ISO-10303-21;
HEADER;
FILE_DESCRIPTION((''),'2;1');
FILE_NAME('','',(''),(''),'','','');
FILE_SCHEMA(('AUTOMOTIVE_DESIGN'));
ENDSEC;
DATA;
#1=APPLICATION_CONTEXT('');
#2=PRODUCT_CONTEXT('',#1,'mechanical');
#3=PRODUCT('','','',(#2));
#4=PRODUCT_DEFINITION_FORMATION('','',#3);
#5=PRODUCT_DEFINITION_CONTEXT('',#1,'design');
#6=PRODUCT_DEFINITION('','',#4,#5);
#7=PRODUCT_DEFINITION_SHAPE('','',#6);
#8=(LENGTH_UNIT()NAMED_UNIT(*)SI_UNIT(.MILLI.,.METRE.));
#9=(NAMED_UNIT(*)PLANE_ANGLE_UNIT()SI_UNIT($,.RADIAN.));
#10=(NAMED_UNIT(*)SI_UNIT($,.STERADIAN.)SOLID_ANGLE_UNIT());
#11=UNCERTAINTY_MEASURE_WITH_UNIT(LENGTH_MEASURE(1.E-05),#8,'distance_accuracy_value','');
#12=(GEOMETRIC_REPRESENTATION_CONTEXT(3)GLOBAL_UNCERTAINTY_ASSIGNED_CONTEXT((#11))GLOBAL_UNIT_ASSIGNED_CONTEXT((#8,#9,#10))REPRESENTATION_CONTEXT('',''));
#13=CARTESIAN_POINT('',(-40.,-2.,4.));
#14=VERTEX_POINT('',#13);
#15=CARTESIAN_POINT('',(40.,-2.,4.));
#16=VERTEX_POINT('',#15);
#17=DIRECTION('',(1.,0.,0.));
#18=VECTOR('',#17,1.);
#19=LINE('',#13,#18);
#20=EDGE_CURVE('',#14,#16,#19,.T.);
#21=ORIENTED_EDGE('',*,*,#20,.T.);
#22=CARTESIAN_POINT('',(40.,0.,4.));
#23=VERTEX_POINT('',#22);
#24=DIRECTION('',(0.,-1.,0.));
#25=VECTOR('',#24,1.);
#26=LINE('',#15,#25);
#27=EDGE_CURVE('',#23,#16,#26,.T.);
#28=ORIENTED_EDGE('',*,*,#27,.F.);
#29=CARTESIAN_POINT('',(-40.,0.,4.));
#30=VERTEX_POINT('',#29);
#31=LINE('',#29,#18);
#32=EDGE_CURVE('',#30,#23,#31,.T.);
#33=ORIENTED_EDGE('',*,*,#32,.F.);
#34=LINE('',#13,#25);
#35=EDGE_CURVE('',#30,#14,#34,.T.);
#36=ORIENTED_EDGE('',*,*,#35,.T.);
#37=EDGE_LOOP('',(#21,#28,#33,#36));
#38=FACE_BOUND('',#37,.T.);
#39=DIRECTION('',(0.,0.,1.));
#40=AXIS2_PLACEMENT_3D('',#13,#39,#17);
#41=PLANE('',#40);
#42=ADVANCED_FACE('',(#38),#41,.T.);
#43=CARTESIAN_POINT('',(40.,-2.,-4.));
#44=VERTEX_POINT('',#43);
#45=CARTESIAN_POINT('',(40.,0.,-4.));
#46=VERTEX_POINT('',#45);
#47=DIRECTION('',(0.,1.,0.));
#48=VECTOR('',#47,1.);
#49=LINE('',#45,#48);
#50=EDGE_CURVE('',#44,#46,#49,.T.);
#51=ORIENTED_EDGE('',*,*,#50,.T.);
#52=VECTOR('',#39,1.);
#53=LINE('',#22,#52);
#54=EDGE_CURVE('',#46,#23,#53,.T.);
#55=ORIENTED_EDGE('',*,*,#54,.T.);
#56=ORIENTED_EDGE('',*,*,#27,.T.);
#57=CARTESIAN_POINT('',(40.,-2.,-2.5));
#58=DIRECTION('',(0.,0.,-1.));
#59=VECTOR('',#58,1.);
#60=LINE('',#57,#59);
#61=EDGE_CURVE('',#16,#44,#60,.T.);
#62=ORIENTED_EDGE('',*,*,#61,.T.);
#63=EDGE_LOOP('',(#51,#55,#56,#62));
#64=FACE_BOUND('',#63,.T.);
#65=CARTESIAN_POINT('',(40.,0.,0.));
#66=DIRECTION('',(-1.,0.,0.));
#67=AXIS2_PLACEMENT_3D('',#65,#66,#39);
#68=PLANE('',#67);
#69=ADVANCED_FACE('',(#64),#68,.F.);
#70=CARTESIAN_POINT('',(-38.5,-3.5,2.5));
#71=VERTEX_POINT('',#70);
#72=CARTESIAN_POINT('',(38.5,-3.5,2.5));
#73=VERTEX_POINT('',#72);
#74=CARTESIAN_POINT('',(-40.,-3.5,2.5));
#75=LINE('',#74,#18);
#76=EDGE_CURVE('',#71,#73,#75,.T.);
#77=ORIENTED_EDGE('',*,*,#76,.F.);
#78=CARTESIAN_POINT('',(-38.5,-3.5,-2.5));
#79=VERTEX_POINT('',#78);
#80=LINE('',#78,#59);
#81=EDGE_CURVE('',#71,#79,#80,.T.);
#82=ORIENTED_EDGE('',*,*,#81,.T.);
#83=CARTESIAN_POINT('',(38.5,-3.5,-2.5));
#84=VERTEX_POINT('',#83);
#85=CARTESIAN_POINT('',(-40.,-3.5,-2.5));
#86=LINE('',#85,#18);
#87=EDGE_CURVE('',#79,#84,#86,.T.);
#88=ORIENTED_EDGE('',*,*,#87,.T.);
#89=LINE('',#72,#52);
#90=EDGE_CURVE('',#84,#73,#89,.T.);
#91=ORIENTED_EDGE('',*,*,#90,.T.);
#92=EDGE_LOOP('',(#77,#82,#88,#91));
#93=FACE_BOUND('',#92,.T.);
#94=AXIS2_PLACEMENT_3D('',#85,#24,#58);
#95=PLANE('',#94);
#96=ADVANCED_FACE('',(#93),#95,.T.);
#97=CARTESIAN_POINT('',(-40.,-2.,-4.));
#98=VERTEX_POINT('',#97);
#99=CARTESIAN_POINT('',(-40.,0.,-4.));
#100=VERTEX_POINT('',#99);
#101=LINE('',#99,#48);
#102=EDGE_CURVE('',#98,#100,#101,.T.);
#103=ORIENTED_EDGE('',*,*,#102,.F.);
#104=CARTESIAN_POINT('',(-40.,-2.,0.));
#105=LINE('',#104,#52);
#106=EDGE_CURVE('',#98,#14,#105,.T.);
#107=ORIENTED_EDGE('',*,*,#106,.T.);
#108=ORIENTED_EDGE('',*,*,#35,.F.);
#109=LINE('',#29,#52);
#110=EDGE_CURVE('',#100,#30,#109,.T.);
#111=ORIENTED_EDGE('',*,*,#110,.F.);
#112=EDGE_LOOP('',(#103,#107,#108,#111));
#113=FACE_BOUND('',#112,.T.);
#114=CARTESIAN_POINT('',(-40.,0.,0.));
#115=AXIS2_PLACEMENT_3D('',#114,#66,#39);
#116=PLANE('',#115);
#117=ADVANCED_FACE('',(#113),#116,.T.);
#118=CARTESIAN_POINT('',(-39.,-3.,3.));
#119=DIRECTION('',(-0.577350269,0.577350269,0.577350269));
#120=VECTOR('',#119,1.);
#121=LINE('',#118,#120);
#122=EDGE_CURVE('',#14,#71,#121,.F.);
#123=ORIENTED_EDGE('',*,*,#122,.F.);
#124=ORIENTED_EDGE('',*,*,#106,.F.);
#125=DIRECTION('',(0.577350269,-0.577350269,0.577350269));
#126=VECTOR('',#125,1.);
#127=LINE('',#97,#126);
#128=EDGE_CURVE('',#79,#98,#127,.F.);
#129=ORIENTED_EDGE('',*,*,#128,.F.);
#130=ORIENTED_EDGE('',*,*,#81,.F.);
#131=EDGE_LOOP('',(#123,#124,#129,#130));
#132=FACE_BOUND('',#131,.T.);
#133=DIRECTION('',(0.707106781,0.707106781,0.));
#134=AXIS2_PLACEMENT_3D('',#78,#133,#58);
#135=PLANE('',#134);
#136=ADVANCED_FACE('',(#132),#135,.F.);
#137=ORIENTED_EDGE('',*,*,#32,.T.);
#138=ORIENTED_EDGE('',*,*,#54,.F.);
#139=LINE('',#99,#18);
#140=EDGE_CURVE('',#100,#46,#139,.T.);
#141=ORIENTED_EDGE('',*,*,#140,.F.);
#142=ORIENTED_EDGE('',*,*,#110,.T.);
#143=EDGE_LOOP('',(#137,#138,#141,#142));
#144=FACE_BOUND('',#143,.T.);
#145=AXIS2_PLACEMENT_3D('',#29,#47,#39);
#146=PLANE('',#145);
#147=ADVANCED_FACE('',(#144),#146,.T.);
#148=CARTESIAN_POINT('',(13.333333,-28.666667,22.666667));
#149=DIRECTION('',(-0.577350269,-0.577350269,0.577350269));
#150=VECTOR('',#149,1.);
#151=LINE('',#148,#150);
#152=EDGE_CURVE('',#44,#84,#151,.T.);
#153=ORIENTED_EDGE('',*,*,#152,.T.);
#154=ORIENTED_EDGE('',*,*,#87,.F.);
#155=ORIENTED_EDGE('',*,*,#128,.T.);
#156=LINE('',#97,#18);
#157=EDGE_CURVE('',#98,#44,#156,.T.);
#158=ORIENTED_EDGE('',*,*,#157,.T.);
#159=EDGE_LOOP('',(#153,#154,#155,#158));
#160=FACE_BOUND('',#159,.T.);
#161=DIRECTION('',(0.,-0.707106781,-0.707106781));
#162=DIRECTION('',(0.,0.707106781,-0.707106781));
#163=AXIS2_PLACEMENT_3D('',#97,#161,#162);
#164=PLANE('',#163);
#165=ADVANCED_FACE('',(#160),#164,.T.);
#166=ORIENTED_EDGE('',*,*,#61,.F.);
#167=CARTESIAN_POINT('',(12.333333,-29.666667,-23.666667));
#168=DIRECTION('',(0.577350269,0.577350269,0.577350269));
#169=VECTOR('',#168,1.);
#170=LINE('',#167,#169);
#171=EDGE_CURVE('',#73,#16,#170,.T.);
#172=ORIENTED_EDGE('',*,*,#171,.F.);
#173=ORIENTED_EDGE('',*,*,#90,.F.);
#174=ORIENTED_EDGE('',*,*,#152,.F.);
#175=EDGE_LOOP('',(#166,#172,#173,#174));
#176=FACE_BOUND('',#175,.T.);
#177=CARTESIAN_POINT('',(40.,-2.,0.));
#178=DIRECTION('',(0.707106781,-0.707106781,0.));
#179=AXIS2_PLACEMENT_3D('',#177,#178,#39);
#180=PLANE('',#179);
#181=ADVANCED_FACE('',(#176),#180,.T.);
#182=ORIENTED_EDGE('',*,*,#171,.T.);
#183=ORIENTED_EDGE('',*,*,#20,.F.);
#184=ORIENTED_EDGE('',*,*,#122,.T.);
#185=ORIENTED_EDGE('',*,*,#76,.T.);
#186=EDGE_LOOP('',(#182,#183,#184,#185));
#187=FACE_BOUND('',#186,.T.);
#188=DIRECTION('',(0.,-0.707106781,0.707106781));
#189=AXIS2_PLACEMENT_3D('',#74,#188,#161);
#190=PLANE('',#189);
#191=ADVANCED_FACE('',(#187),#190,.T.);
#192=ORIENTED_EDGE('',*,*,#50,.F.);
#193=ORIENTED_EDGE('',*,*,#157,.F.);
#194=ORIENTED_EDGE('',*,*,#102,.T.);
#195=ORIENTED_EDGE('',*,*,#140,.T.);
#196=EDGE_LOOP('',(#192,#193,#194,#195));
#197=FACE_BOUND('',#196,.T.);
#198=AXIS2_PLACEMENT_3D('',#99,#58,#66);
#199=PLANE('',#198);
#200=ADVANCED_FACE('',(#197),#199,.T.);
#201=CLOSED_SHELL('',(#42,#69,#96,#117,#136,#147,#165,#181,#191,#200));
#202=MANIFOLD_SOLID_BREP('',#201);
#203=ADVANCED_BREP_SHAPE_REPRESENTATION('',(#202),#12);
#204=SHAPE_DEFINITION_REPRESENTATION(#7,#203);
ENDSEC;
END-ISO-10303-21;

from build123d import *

# Parameters (mm, degrees)
BOSS_EXTRU_1_DEPTH      = 40
BOSS_EXTRU_1_DEPTH_BACK = 40
CHANFREIN1_SIZE         = 1.5


with BuildPart() as part:
    # Esquisse1 → Boss.-Extru.1 (new, two sides: drawn at the far end of the back side and taken through both)
    with BuildSketch(Plane(origin=(0, 0, 0), x_dir=(0, 0, -1), z_dir=(1, 0, 0)).offset(-BOSS_EXTRU_1_DEPTH_BACK)):
        Polygon((-4, 0), (4, 0), (4, -2), (2.5, -3.5), (-2.5, -3.5), (-4, -2), align=None)
    extrude(amount=BOSS_EXTRU_1_DEPTH + BOSS_EXTRU_1_DEPTH_BACK)

    # Chanfrein1
    chanfrein1_edges = [part.edges().sort_by_distance(p)[0] for p in [
        (40, -3.5, 0),
        (-40, -3.5, 0),
    ]]
    chamfer(chanfrein1_edges, length=CHANFREIN1_SIZE)


solid = part.part
